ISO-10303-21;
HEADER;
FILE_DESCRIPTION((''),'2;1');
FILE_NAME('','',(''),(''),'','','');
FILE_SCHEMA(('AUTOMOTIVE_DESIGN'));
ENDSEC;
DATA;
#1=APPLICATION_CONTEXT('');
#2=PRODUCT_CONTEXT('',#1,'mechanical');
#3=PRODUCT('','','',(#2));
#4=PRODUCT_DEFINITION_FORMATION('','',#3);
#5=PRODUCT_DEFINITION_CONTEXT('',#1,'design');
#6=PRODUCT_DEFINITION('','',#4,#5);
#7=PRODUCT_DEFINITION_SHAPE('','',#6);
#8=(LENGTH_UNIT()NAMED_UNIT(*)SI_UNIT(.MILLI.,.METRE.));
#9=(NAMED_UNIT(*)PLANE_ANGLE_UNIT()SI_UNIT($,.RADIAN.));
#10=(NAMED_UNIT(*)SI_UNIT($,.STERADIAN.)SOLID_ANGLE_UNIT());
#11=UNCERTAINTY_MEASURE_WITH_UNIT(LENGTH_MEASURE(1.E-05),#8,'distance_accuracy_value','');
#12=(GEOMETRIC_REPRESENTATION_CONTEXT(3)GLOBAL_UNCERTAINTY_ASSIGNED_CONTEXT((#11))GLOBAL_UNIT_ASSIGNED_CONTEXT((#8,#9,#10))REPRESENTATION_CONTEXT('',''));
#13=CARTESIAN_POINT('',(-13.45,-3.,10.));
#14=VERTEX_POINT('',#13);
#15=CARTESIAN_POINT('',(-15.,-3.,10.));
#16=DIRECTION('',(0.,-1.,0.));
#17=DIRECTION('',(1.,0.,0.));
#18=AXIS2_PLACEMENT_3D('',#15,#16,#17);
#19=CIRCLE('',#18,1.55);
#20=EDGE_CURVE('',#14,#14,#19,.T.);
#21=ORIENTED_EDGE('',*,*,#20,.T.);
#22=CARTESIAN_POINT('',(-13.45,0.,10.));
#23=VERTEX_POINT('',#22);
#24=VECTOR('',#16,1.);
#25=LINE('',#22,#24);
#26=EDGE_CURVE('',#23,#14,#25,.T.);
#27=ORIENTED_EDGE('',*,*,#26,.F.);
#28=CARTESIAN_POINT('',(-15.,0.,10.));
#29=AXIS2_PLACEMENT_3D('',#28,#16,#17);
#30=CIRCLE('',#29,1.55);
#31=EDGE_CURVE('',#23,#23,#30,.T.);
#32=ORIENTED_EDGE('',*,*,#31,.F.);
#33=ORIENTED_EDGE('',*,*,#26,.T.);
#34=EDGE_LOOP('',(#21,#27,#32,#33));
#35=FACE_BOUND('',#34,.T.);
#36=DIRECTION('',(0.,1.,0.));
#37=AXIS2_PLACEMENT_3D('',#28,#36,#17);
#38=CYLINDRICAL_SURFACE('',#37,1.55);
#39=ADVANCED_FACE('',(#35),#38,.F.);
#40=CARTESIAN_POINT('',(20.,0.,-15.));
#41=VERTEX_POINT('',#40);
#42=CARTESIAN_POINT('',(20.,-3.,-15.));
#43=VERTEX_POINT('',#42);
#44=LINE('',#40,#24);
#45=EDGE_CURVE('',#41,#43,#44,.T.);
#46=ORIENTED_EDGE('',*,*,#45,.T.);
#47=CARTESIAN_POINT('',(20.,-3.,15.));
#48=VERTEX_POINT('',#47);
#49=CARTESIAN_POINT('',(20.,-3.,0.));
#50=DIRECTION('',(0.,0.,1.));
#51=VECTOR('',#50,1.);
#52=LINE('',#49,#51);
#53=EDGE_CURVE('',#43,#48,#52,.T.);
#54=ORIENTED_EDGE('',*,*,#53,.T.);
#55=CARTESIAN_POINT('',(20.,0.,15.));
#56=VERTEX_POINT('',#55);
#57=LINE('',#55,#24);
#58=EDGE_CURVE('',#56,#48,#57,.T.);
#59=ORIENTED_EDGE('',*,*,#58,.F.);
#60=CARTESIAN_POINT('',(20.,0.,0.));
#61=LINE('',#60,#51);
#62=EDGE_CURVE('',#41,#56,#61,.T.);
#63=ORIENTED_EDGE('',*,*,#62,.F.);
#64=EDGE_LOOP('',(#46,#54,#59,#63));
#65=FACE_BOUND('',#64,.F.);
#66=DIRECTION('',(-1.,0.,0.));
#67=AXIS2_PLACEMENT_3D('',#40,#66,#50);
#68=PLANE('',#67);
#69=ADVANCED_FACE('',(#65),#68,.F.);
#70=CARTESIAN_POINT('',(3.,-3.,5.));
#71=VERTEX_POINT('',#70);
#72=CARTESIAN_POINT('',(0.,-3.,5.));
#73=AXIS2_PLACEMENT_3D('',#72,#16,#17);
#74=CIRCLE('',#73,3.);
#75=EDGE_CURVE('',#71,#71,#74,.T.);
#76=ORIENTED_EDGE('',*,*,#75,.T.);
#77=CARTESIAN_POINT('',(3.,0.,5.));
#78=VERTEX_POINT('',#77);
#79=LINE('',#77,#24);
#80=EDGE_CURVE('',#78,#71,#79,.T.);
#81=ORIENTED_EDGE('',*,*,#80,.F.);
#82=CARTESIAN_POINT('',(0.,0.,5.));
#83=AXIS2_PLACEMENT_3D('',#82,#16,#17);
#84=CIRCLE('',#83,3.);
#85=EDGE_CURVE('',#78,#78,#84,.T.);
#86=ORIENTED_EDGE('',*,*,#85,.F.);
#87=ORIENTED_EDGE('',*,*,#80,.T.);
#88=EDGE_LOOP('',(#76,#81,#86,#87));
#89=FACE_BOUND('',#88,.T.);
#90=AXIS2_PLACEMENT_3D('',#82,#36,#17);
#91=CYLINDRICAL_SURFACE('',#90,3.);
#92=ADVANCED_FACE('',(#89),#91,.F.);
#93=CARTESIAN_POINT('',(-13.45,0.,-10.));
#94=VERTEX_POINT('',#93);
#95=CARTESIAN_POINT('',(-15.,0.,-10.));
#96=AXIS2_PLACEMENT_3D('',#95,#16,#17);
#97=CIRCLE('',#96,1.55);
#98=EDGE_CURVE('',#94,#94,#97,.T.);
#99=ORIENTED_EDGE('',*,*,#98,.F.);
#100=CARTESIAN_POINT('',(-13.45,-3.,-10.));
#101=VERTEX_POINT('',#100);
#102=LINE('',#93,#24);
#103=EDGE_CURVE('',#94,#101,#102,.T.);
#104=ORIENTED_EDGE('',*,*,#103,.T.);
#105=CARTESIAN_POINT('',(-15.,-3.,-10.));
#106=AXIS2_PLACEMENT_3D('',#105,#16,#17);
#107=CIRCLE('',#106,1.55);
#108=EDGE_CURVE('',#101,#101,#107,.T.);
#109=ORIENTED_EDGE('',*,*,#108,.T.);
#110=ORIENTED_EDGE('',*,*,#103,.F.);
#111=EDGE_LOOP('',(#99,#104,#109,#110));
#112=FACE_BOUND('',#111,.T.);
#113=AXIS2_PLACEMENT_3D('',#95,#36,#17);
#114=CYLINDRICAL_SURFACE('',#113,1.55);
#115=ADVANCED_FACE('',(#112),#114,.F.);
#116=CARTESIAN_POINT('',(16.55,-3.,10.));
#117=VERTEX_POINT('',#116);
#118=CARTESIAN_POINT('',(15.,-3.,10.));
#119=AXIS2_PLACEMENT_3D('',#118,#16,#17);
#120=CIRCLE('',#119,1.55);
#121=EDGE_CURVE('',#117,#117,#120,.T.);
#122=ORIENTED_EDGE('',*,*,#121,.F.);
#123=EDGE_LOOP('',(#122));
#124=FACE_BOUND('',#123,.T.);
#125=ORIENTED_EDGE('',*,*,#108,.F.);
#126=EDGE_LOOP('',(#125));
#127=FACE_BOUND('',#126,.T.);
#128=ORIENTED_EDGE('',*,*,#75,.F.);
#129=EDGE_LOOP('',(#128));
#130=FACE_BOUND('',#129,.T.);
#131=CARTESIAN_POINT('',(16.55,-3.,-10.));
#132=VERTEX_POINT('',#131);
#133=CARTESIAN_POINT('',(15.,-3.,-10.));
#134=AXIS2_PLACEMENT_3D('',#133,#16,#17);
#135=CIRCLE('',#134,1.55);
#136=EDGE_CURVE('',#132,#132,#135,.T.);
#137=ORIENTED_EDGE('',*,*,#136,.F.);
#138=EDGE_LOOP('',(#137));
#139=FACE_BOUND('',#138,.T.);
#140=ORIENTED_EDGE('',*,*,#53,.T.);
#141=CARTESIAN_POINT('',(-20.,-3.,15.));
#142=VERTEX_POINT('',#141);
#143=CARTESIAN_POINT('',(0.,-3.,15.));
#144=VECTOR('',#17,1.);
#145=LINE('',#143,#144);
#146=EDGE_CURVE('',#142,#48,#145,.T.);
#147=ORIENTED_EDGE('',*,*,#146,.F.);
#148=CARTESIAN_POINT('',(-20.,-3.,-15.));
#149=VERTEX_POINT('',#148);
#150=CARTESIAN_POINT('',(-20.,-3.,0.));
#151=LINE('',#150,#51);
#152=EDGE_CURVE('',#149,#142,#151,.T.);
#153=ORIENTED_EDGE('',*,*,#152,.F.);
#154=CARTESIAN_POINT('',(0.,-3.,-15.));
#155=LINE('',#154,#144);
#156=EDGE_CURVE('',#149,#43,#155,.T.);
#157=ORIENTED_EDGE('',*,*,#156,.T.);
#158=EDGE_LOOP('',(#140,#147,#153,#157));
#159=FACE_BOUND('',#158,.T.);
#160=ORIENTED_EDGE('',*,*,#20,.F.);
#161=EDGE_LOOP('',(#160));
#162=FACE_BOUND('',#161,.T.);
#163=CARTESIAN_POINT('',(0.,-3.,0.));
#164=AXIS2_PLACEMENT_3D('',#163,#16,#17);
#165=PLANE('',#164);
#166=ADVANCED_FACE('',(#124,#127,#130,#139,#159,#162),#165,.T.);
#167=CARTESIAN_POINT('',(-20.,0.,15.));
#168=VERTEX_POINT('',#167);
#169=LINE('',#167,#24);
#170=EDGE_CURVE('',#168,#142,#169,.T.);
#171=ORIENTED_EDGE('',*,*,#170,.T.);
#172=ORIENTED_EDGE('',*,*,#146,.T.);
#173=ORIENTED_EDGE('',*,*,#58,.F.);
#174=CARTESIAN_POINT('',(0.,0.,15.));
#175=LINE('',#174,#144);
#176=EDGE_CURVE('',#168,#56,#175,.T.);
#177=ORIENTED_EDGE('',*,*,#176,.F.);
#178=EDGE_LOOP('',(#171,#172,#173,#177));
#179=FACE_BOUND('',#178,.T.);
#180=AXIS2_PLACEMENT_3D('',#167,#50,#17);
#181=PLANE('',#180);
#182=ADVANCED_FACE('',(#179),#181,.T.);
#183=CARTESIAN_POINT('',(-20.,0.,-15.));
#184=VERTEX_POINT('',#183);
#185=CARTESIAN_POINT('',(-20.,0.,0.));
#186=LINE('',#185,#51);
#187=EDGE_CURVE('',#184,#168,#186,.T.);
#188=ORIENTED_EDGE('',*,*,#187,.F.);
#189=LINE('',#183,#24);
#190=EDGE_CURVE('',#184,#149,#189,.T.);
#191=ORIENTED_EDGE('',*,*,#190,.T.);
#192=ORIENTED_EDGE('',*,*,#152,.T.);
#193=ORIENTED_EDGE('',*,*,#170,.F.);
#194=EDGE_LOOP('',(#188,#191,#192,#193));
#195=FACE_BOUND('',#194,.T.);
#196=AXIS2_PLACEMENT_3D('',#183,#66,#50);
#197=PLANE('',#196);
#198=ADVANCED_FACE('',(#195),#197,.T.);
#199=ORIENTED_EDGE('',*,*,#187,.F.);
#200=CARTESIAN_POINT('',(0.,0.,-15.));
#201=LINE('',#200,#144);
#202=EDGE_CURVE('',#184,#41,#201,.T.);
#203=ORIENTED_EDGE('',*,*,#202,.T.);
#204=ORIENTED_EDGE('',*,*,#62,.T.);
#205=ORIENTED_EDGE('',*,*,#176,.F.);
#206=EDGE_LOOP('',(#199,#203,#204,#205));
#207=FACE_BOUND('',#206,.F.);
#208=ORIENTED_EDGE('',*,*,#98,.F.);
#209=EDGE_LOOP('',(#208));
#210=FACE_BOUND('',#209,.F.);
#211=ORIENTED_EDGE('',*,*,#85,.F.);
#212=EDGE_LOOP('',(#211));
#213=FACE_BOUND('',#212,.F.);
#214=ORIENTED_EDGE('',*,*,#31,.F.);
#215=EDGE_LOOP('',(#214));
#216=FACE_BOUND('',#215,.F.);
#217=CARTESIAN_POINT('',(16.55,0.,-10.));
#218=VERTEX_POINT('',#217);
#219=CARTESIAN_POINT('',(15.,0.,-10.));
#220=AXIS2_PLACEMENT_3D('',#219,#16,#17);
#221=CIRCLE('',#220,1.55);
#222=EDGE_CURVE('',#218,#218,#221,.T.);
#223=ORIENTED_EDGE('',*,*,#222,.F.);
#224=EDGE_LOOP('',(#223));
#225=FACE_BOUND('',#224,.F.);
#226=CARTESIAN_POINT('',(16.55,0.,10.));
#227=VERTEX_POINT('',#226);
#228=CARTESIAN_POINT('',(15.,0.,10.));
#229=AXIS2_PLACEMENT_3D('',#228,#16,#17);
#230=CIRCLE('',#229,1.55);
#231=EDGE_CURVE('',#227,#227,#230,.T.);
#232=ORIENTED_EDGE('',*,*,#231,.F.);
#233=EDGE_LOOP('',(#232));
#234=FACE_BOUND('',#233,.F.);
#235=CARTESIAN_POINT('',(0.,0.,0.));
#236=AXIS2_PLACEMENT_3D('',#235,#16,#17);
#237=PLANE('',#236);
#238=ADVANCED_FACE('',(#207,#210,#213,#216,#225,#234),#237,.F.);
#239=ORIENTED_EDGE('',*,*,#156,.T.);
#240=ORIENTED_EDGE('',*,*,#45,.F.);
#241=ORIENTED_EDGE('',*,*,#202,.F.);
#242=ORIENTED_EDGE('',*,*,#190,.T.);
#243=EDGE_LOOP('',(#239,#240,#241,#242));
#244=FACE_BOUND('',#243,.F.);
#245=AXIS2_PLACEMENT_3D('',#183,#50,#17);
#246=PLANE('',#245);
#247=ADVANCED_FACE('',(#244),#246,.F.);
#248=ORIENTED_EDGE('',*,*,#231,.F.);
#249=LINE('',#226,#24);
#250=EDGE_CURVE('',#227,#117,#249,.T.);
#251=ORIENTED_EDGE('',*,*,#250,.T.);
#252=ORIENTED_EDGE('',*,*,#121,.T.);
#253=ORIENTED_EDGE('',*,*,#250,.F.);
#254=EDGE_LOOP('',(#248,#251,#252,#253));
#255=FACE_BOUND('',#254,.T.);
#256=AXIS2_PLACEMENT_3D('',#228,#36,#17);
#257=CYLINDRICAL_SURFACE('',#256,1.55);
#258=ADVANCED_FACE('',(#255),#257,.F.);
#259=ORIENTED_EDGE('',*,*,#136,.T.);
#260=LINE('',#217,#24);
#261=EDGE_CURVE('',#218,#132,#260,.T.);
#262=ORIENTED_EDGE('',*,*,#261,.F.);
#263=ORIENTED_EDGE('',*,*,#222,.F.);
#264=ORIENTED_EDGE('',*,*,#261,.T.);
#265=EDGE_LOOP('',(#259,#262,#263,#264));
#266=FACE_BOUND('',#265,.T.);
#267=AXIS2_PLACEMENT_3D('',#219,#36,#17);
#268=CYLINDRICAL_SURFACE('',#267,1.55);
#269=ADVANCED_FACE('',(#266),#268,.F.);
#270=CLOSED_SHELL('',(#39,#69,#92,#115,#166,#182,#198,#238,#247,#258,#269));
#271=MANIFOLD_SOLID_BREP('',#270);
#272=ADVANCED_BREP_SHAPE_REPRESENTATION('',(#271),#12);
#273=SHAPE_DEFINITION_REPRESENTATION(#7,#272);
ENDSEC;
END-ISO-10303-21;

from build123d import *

# Parameters (mm, degrees)
F0_W     = 40
F0_H     = 30
F0_R     = 1.55
F0_R_2   = 3
F1_DEPTH = 3


with BuildPart() as f1:
    # F0 (on Front) → F1 (new body)
    with BuildSketch(Plane.XZ):
        Rectangle(F0_W, F0_H)
        with Locations((-15, -10)):
            Circle(F0_R, mode=Mode.SUBTRACT)
        with Locations((15, -10)):
            Circle(F0_R, mode=Mode.SUBTRACT)
        with Locations((-15, 10)):
            Circle(F0_R, mode=Mode.SUBTRACT)
        with Locations((0, 5)):
            Circle(F0_R_2, mode=Mode.SUBTRACT)
        with Locations((15, 10)):
            Circle(F0_R, mode=Mode.SUBTRACT)
    extrude(amount=F1_DEPTH)


solid = f1.part
